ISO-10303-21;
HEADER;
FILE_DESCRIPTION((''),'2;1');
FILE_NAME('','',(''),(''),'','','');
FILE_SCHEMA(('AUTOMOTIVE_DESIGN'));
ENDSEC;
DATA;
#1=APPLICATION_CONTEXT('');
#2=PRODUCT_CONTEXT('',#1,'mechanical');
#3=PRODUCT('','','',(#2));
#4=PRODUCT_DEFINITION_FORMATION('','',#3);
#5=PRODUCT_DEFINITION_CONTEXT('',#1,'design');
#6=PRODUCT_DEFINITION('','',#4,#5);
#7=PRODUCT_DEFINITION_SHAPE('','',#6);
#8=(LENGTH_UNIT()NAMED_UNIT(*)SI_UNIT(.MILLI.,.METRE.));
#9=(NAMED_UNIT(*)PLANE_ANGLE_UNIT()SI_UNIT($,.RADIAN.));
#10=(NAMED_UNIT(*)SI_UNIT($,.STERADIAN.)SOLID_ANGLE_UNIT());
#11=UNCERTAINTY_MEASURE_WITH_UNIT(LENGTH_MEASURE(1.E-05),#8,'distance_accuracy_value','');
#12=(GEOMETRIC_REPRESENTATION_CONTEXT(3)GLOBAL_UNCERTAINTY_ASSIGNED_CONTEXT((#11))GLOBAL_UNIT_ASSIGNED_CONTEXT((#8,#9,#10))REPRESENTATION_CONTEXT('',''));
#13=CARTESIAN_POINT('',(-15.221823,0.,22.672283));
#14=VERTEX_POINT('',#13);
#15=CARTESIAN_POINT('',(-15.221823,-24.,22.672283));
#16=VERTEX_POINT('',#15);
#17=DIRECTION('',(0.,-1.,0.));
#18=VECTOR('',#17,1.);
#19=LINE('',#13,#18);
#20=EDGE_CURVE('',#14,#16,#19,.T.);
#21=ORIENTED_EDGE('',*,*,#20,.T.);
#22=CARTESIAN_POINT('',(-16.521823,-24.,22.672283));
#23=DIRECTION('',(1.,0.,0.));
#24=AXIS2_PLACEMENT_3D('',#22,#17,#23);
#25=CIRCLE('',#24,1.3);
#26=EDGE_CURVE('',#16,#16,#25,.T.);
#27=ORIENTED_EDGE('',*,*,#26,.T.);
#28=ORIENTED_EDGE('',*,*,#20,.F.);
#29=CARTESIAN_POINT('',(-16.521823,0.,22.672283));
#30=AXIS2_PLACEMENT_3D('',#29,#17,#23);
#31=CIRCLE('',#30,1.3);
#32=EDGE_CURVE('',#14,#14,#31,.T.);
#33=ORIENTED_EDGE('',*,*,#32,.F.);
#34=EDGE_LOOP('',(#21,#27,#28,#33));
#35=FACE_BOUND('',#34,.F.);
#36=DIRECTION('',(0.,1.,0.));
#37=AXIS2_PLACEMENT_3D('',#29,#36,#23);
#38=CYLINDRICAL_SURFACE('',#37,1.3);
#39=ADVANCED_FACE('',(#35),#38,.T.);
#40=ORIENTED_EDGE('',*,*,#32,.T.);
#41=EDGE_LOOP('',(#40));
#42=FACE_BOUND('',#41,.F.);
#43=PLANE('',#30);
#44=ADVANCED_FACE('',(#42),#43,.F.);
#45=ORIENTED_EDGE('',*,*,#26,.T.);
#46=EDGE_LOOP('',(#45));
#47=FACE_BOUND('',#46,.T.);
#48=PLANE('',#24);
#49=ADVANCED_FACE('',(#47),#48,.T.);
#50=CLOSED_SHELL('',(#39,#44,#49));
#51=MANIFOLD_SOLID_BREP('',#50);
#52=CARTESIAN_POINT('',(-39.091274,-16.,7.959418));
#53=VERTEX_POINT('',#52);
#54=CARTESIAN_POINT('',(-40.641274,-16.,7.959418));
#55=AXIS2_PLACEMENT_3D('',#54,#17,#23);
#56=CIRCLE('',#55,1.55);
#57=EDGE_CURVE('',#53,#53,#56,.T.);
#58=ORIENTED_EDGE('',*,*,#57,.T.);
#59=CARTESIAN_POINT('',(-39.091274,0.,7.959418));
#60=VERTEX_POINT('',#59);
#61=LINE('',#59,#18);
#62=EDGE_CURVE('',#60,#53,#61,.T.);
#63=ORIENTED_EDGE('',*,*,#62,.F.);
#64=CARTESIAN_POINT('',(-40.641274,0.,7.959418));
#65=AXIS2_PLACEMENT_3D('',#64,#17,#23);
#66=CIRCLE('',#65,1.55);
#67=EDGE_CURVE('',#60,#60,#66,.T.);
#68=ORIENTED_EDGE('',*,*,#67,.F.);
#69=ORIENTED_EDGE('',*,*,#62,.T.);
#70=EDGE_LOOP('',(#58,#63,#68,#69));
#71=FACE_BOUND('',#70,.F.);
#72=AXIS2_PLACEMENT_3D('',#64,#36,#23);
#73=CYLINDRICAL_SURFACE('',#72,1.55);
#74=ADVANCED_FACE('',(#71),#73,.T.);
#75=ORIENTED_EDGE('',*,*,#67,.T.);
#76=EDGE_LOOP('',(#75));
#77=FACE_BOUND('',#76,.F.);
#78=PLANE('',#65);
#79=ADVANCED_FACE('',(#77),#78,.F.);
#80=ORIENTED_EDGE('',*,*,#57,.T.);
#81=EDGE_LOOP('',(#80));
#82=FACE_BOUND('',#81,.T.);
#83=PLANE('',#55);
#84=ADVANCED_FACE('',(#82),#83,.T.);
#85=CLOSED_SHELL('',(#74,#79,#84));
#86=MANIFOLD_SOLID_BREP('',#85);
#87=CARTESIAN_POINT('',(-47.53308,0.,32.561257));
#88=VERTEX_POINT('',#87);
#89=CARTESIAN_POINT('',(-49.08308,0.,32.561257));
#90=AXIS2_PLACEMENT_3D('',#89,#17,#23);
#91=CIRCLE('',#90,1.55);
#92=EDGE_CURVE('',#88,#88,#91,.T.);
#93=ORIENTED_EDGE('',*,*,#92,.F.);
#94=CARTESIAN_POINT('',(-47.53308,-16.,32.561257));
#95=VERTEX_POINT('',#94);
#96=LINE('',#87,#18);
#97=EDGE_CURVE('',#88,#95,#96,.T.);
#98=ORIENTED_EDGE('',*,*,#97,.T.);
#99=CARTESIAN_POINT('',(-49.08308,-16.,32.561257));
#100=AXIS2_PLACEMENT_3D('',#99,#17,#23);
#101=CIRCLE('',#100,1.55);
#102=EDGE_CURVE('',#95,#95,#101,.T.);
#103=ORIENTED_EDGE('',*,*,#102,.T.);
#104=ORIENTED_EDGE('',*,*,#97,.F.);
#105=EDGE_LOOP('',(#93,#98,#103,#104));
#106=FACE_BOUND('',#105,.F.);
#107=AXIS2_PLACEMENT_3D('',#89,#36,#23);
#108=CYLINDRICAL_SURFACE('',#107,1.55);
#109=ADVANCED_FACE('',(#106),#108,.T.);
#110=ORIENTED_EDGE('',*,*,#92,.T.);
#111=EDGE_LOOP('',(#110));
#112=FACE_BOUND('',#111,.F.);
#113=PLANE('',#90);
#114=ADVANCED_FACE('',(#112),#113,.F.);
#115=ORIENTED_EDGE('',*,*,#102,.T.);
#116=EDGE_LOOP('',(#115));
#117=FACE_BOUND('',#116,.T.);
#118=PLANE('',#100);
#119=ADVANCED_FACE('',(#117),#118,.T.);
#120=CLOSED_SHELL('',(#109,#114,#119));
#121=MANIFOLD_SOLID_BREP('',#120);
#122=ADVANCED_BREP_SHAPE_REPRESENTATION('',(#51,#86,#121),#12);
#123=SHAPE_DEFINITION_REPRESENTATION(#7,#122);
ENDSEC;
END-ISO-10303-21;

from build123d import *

# Parameters (mm, degrees)
F0_R     = 1.55
F1_DEPTH = 16
F2_R     = 1.55
F3_DEPTH = 16
F4_R     = 1.3
F5_DEPTH = 24


with BuildPart() as f1:
    # F0 (on Front) → F1 (new body)
    with BuildSketch(Plane.XZ):
        with Locations((-49.08308, 32.561257)):
            Circle(F0_R)
    extrude(amount=F1_DEPTH)


with BuildPart() as f3:
    # F2 (on Front) → F3 (new body)
    with BuildSketch(Plane.XZ):
        with Locations((-40.641274, 7.959418)):
            Circle(F2_R)
    extrude(amount=F3_DEPTH)


with BuildPart() as f5:
    # F4 (on Front) → F5 (new body)
    with BuildSketch(Plane.XZ):
        with Locations((-16.521823, 22.672283)):
            Circle(F4_R)
    extrude(amount=F5_DEPTH)


solid = Compound([f1.part, f3.part, f5.part])
